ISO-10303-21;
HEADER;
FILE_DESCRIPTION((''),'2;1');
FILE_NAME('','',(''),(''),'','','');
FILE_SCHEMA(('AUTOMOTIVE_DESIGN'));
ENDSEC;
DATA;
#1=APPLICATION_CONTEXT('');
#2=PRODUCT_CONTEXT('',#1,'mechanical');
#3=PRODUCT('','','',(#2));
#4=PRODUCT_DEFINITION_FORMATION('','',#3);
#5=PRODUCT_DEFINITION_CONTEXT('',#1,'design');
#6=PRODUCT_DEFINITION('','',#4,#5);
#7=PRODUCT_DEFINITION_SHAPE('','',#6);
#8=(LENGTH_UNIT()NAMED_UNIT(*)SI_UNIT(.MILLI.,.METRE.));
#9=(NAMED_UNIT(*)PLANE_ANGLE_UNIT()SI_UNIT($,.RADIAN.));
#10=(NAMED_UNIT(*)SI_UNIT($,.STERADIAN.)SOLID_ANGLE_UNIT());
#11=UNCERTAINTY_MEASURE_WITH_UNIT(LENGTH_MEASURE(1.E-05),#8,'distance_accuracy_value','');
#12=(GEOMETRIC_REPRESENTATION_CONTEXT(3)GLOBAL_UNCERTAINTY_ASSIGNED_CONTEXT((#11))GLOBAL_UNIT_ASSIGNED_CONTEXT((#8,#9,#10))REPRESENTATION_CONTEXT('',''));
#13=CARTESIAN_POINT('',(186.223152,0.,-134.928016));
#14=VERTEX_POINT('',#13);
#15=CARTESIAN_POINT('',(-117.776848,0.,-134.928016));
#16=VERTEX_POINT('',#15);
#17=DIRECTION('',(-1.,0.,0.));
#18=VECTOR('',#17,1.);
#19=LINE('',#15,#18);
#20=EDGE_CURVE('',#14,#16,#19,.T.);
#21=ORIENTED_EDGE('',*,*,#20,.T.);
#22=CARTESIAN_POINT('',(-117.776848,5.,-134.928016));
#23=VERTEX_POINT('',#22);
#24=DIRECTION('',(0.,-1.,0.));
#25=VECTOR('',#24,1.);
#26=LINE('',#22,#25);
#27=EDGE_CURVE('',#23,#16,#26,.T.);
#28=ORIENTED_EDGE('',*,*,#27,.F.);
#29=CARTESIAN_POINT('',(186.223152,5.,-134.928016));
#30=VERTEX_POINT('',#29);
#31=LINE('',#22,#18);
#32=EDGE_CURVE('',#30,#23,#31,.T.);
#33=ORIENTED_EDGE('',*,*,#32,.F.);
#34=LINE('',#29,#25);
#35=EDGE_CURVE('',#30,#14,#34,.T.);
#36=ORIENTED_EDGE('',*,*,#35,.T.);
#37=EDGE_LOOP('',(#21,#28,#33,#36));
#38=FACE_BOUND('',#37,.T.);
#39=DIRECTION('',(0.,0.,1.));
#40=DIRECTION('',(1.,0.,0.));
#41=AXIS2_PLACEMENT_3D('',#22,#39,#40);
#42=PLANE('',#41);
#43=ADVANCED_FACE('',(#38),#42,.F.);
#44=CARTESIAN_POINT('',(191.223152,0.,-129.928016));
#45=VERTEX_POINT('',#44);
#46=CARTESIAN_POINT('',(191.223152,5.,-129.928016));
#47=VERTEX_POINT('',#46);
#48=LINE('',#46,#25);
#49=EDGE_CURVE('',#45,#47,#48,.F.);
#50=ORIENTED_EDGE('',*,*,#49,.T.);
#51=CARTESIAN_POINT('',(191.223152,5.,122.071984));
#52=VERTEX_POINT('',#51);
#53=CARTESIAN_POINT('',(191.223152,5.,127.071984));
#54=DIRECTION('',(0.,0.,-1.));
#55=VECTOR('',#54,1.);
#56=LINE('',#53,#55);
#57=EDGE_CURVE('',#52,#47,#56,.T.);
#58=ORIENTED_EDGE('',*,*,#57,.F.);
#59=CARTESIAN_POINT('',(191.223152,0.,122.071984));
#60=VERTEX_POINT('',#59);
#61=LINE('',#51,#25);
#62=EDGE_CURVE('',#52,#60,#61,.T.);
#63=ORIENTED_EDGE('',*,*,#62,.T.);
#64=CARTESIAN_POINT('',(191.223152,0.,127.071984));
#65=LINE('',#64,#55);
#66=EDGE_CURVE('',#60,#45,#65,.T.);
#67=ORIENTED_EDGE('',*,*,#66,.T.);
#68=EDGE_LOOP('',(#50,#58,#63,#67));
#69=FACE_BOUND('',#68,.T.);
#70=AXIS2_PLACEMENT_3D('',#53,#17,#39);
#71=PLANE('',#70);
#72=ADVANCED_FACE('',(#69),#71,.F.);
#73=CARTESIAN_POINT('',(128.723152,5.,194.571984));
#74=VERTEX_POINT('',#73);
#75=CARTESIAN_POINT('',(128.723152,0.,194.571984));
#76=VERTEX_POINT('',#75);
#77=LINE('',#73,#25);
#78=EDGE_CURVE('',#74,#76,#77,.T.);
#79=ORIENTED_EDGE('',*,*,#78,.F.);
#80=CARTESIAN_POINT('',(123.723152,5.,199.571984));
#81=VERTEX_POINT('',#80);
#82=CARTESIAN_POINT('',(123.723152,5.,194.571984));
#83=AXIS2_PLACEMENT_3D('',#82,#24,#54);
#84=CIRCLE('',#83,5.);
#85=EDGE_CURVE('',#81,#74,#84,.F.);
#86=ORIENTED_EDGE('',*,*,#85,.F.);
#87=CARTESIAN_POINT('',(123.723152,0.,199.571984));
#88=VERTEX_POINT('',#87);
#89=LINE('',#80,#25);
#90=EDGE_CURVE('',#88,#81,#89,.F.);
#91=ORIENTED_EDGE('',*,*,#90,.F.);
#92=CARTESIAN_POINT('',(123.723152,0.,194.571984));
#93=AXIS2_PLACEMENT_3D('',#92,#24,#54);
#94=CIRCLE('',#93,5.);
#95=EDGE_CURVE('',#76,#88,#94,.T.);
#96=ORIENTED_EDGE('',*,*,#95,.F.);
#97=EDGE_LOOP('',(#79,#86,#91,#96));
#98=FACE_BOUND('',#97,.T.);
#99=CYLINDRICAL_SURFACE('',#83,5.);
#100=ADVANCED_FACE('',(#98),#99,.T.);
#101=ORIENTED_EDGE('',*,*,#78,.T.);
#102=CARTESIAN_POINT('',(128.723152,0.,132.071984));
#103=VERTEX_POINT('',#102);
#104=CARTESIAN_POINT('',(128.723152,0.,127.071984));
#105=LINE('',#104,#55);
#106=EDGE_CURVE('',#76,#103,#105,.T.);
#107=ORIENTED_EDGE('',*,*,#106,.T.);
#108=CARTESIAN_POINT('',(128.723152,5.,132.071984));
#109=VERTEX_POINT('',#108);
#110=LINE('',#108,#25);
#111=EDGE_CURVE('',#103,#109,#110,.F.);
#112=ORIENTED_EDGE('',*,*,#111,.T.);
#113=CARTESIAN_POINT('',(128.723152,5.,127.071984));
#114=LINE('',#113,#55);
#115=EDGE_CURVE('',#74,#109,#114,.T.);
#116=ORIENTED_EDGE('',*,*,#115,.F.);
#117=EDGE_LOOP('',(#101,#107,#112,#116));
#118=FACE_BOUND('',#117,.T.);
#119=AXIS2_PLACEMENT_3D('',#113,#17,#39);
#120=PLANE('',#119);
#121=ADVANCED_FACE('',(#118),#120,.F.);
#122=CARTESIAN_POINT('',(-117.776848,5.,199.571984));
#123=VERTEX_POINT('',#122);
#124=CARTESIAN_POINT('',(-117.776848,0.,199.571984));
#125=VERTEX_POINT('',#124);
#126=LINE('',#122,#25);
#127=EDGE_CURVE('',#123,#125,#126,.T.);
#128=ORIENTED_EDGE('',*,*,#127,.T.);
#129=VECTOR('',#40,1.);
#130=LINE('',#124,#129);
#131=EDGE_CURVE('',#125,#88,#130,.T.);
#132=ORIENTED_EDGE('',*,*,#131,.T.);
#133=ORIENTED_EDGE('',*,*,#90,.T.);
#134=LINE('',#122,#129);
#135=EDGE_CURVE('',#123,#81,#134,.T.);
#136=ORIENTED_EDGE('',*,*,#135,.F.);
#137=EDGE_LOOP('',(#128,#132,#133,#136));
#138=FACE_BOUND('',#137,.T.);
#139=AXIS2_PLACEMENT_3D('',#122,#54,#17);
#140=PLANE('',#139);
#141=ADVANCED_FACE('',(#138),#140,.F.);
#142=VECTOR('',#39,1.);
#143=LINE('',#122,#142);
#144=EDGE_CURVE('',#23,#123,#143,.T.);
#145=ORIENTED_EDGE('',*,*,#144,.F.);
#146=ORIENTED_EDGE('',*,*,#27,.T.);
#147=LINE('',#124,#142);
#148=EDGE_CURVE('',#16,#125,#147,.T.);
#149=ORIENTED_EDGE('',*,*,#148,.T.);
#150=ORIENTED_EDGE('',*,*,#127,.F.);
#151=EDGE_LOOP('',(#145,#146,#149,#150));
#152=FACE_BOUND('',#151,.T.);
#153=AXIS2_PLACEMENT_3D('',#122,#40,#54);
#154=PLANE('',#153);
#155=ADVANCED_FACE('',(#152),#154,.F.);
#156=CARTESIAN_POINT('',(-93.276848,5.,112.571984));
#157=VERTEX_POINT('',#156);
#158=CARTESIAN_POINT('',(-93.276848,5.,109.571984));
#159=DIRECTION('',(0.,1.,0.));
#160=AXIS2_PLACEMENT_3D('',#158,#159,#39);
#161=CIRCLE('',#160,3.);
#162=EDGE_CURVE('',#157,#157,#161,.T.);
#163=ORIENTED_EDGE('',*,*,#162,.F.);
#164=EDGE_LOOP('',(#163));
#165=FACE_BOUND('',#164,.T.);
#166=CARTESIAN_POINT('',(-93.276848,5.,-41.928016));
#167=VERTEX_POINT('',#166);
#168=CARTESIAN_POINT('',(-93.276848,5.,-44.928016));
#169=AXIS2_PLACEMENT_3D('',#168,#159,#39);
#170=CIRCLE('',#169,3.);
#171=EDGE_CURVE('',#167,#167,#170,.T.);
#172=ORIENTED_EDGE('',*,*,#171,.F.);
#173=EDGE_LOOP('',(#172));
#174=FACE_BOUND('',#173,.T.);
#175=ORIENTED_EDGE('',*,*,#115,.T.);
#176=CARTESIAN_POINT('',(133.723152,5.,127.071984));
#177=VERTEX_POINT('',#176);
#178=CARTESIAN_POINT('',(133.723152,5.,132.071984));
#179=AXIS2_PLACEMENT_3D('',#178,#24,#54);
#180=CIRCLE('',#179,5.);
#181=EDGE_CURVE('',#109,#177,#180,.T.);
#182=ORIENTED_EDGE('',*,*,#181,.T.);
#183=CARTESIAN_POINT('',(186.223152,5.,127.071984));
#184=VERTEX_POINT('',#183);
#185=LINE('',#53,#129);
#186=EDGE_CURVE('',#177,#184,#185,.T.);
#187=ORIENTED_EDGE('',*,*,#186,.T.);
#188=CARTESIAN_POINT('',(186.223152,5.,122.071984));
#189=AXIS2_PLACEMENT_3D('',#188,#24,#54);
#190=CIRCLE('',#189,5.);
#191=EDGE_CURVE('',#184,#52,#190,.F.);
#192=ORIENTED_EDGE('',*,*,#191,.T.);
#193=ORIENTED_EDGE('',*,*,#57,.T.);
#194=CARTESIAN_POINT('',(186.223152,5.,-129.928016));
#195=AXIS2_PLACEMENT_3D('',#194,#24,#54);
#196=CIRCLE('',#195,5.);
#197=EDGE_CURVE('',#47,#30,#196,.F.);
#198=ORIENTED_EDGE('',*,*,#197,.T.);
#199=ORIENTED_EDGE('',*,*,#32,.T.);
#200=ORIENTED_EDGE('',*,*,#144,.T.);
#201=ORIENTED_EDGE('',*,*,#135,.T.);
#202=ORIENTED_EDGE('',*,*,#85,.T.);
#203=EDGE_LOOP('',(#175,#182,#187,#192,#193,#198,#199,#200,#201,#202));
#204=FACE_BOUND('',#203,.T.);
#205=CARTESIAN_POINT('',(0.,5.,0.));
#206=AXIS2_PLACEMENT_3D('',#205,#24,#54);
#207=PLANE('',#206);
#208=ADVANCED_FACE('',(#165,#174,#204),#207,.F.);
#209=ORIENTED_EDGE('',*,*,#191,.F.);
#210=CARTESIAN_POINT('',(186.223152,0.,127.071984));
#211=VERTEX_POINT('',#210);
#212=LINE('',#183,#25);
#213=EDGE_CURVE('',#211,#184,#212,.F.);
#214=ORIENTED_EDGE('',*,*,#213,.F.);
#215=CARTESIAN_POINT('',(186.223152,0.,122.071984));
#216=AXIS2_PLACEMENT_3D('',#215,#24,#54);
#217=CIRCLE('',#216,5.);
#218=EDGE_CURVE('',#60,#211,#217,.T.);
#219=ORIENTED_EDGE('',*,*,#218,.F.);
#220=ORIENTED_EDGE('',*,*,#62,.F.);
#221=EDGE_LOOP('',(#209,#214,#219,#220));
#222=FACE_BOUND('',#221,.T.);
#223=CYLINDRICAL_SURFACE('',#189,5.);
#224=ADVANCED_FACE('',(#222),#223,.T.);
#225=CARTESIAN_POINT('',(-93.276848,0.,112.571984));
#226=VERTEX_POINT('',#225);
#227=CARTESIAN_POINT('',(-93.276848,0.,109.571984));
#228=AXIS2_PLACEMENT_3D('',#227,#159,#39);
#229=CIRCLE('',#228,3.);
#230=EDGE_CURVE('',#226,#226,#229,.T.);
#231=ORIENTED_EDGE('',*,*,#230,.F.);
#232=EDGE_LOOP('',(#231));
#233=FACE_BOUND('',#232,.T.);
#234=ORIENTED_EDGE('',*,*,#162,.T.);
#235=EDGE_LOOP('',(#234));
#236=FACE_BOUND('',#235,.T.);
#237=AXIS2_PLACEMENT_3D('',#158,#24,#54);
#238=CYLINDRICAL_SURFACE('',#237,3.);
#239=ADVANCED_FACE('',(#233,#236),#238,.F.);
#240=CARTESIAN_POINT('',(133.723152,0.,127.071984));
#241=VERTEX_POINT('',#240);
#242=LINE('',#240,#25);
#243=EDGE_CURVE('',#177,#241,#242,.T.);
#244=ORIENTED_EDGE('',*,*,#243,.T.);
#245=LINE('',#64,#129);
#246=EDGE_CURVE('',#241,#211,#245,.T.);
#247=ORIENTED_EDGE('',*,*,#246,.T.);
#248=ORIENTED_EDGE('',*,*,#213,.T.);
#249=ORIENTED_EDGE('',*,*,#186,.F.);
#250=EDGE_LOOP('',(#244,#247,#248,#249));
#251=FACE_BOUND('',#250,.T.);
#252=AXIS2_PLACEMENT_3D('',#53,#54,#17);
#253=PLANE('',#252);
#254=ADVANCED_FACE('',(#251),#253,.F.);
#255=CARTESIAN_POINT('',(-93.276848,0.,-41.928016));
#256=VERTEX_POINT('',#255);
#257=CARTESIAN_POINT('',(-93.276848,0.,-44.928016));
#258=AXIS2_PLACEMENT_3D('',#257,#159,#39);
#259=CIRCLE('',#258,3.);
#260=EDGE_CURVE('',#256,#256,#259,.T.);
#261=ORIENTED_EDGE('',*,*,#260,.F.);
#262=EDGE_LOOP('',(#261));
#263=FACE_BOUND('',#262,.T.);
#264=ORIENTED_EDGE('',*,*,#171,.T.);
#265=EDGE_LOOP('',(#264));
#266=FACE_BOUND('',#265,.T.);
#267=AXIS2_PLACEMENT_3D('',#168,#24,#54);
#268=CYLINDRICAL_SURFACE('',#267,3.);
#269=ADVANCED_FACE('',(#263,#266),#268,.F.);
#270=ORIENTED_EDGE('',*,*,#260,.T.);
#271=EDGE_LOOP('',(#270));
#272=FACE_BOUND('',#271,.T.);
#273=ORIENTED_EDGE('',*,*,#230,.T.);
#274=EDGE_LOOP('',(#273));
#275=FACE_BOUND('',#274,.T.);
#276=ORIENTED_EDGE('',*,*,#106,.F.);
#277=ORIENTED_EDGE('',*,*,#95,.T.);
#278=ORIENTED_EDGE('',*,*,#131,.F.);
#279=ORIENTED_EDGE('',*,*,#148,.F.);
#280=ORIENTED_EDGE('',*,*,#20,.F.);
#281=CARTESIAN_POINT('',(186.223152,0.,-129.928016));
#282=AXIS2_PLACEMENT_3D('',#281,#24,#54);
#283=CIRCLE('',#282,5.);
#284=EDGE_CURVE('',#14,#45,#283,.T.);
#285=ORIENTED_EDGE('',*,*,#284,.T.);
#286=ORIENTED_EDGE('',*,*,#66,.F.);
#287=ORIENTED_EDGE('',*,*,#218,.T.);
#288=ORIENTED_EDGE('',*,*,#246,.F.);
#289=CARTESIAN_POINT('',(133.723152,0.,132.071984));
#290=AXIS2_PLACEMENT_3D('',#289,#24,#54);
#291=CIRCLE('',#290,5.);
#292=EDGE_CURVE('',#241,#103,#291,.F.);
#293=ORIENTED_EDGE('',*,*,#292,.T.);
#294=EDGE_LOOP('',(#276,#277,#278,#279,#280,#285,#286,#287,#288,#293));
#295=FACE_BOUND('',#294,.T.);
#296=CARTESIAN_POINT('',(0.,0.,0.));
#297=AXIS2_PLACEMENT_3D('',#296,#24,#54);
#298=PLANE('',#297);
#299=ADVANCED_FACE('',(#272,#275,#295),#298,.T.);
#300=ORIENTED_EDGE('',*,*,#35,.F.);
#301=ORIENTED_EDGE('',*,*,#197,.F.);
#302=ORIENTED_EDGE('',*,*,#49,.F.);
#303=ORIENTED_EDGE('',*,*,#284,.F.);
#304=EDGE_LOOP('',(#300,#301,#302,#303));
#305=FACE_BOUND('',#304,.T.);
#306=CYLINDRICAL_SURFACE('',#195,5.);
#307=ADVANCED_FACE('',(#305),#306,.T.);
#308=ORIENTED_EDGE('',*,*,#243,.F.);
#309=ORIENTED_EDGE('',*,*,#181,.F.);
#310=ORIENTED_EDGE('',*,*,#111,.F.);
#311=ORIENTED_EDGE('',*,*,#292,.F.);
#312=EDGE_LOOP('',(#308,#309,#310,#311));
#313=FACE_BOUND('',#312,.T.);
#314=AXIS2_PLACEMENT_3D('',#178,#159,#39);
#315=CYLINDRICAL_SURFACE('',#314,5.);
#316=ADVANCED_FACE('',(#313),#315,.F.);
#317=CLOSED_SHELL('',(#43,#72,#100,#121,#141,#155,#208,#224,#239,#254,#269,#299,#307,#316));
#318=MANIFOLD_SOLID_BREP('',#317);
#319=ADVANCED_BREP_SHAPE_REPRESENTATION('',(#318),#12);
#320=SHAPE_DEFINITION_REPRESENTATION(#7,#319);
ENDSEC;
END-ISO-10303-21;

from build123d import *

# Parameters (mm, degrees)
CROQUIS1_R              = 3
SALIENTE_EXTRUIR1_DEPTH = 5
REDONDEO1_R             = 5


with BuildPart() as part:
    # Croquis1 → Saliente-Extruir1 (new body)
    with BuildSketch(Plane(origin=(0, 0, 0), x_dir=(1, 0, 0), z_dir=(0, 1, 0))):
        Polygon((-117.776848249, -199.571984436), (-117.776848249, 134.928015564), (191.223151751, 134.928015564), (191.223151751, -127.071984436), (128.723151751, -127.071984436), (128.723151751, -199.571984436), align=None)
        with Locations(Location((-93.276848249, 44.928015564, 0), (0, 0, 270))):
            Circle(CROQUIS1_R, mode=Mode.SUBTRACT)
        with Locations(Location((-93.276848249, -109.571984436, 0), (0, 0, 270))):
            Circle(CROQUIS1_R, mode=Mode.SUBTRACT)
    extrude(amount=SALIENTE_EXTRUIR1_DEPTH)

    # Redondeo1
    redondeo1_edges = [part.edges().sort_by_distance(p)[0] for p in [
        (191.223151751, 2.5, 127.071984436),
        (128.723151751, 2.5, 127.071984436),
        (128.723151751, 2.5, 199.571984436),
        (191.223151751, 2.5, -134.928015564),
    ]]
    fillet(redondeo1_edges, radius=REDONDEO1_R)


solid = part.part
